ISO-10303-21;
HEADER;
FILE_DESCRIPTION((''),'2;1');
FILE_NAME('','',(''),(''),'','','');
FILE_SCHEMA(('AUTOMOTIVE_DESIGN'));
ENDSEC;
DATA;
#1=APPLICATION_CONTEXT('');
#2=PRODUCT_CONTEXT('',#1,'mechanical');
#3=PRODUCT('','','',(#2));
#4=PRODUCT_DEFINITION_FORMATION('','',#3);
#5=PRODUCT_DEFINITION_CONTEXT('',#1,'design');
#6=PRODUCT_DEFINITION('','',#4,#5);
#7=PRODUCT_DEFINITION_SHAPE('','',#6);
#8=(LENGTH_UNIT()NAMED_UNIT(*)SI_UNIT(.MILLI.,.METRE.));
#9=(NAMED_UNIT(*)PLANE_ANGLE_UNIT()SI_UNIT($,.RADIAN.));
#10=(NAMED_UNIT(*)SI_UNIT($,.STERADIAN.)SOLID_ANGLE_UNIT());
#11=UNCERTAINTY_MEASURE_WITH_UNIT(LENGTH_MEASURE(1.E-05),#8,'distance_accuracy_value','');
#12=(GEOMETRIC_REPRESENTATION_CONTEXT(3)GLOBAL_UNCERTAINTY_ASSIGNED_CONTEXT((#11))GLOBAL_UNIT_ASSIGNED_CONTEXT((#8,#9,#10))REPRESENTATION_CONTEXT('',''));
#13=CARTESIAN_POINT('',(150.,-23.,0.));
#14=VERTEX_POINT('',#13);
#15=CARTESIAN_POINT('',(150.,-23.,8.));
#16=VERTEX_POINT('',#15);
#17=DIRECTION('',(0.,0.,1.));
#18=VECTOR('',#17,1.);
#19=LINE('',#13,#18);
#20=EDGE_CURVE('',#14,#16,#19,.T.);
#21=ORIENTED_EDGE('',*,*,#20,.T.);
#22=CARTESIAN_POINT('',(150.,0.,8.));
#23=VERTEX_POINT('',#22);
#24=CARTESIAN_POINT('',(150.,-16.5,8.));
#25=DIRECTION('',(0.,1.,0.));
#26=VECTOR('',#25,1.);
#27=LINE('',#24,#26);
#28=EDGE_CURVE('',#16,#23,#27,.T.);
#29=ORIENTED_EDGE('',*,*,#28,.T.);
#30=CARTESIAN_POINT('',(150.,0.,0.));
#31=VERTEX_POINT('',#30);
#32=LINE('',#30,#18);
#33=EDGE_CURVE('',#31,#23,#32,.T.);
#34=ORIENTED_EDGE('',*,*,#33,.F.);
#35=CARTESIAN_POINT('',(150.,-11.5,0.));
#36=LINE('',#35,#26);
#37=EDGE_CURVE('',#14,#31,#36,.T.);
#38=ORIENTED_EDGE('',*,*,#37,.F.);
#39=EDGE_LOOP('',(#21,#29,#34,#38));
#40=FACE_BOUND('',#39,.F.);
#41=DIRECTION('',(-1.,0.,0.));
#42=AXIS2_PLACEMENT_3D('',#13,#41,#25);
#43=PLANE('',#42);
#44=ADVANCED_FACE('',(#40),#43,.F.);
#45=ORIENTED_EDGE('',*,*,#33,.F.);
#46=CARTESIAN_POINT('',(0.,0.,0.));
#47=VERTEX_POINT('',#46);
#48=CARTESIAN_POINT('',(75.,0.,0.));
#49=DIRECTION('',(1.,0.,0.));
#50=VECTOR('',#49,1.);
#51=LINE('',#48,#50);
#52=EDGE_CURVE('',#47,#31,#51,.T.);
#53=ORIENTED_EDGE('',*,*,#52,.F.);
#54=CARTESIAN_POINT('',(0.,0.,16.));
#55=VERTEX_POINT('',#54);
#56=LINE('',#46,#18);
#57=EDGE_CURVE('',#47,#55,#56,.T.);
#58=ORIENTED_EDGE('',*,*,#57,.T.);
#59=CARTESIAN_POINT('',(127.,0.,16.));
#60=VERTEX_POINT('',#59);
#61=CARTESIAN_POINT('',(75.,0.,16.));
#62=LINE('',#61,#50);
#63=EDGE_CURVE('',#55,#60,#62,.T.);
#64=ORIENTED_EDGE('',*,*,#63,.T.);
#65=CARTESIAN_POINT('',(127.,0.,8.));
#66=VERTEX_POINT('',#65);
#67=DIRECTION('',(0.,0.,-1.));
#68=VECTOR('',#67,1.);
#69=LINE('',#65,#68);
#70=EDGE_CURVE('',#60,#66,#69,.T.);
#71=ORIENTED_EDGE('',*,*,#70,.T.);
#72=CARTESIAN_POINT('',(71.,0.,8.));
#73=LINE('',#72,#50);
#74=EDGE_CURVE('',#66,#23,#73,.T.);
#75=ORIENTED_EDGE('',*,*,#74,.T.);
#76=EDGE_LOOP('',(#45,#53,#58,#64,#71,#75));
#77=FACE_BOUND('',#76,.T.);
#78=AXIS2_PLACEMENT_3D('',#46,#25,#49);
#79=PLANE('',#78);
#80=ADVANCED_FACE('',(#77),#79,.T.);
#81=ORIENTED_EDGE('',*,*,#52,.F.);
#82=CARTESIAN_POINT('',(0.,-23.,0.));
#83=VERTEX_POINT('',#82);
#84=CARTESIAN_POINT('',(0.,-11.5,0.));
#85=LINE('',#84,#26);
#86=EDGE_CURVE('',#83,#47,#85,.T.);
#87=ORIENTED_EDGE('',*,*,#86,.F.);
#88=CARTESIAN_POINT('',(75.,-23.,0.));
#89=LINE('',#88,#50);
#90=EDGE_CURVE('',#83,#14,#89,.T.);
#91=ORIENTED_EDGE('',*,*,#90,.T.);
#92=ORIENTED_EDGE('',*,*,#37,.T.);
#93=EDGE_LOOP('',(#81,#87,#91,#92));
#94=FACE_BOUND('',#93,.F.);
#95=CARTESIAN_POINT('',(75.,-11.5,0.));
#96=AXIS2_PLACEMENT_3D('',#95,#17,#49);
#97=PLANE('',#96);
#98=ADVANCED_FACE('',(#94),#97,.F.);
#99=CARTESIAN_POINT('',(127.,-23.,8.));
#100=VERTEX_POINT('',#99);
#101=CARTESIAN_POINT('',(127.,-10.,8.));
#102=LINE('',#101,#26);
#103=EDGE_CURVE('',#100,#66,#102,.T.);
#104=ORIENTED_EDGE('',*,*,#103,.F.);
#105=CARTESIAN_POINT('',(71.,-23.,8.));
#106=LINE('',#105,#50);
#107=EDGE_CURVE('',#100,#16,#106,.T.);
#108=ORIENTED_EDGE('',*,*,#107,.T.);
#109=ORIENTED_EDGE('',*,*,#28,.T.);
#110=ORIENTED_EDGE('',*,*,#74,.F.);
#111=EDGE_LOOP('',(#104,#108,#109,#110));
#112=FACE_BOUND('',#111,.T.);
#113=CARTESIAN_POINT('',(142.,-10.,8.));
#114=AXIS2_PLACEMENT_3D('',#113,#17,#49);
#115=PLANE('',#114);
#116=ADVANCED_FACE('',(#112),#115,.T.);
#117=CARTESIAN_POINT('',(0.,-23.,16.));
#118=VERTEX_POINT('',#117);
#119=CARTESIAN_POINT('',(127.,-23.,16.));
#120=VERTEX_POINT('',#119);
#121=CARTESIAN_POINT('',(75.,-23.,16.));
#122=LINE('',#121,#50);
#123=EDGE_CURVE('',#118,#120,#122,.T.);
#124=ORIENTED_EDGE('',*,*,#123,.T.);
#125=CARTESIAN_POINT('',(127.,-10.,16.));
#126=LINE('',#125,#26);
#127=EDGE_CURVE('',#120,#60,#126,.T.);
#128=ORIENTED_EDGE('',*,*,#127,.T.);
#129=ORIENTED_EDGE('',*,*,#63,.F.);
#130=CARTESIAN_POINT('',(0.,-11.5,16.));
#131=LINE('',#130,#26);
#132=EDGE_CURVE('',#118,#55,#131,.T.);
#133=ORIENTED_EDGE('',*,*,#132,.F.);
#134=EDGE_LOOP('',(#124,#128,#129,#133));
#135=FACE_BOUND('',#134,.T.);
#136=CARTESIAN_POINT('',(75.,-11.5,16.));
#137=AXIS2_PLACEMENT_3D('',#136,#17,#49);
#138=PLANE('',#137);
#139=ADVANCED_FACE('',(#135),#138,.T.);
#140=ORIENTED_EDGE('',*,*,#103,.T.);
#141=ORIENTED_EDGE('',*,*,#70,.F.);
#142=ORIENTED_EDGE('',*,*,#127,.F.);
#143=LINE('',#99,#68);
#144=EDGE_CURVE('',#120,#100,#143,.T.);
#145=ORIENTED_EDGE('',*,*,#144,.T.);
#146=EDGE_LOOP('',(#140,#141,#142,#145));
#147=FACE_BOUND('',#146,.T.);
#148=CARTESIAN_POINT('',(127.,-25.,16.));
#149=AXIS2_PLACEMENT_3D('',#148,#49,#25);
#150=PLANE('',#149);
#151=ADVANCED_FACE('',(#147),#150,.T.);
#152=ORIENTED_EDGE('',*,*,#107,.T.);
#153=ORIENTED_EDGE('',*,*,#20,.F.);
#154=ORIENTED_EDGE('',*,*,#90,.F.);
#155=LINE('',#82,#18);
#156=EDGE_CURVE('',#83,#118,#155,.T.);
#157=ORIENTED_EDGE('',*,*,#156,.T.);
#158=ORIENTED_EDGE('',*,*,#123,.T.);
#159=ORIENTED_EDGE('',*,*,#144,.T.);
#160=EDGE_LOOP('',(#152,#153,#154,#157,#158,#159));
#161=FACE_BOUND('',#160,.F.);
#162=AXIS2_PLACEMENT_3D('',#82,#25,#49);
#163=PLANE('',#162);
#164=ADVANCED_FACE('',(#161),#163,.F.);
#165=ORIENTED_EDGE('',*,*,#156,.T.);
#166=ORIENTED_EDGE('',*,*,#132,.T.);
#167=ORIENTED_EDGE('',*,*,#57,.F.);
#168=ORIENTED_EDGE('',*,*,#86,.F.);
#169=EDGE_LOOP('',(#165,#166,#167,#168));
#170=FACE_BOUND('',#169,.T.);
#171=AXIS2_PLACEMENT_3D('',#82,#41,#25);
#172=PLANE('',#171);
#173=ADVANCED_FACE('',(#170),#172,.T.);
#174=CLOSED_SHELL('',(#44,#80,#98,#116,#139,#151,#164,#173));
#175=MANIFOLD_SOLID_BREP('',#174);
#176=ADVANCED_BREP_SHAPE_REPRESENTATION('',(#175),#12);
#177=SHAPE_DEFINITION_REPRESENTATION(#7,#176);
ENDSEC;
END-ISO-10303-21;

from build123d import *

# Parameters (mm, degrees)
SKETCH_W     = 150
SKETCH_H     = 23
PAD_DEPTH    = 16
SKETCH001_W  = 30
SKETCH001_H  = 30
POCKET_DEPTH = 8


with BuildPart() as part:
    # Sketch → Pad (new body)
    with BuildSketch(Plane.XY):
        with Locations((75, -11.5)):
            Rectangle(SKETCH_W, SKETCH_H)
    extrude(amount=PAD_DEPTH)

    # Sketch001 (on Face6 of Pad) → Pocket (cut)
    with BuildSketch(Plane.XY.offset(16)):
        with Locations((142, -10)):
            Rectangle(SKETCH001_W, SKETCH001_H)
    extrude(amount=-POCKET_DEPTH, mode=Mode.SUBTRACT)


solid = part.part
